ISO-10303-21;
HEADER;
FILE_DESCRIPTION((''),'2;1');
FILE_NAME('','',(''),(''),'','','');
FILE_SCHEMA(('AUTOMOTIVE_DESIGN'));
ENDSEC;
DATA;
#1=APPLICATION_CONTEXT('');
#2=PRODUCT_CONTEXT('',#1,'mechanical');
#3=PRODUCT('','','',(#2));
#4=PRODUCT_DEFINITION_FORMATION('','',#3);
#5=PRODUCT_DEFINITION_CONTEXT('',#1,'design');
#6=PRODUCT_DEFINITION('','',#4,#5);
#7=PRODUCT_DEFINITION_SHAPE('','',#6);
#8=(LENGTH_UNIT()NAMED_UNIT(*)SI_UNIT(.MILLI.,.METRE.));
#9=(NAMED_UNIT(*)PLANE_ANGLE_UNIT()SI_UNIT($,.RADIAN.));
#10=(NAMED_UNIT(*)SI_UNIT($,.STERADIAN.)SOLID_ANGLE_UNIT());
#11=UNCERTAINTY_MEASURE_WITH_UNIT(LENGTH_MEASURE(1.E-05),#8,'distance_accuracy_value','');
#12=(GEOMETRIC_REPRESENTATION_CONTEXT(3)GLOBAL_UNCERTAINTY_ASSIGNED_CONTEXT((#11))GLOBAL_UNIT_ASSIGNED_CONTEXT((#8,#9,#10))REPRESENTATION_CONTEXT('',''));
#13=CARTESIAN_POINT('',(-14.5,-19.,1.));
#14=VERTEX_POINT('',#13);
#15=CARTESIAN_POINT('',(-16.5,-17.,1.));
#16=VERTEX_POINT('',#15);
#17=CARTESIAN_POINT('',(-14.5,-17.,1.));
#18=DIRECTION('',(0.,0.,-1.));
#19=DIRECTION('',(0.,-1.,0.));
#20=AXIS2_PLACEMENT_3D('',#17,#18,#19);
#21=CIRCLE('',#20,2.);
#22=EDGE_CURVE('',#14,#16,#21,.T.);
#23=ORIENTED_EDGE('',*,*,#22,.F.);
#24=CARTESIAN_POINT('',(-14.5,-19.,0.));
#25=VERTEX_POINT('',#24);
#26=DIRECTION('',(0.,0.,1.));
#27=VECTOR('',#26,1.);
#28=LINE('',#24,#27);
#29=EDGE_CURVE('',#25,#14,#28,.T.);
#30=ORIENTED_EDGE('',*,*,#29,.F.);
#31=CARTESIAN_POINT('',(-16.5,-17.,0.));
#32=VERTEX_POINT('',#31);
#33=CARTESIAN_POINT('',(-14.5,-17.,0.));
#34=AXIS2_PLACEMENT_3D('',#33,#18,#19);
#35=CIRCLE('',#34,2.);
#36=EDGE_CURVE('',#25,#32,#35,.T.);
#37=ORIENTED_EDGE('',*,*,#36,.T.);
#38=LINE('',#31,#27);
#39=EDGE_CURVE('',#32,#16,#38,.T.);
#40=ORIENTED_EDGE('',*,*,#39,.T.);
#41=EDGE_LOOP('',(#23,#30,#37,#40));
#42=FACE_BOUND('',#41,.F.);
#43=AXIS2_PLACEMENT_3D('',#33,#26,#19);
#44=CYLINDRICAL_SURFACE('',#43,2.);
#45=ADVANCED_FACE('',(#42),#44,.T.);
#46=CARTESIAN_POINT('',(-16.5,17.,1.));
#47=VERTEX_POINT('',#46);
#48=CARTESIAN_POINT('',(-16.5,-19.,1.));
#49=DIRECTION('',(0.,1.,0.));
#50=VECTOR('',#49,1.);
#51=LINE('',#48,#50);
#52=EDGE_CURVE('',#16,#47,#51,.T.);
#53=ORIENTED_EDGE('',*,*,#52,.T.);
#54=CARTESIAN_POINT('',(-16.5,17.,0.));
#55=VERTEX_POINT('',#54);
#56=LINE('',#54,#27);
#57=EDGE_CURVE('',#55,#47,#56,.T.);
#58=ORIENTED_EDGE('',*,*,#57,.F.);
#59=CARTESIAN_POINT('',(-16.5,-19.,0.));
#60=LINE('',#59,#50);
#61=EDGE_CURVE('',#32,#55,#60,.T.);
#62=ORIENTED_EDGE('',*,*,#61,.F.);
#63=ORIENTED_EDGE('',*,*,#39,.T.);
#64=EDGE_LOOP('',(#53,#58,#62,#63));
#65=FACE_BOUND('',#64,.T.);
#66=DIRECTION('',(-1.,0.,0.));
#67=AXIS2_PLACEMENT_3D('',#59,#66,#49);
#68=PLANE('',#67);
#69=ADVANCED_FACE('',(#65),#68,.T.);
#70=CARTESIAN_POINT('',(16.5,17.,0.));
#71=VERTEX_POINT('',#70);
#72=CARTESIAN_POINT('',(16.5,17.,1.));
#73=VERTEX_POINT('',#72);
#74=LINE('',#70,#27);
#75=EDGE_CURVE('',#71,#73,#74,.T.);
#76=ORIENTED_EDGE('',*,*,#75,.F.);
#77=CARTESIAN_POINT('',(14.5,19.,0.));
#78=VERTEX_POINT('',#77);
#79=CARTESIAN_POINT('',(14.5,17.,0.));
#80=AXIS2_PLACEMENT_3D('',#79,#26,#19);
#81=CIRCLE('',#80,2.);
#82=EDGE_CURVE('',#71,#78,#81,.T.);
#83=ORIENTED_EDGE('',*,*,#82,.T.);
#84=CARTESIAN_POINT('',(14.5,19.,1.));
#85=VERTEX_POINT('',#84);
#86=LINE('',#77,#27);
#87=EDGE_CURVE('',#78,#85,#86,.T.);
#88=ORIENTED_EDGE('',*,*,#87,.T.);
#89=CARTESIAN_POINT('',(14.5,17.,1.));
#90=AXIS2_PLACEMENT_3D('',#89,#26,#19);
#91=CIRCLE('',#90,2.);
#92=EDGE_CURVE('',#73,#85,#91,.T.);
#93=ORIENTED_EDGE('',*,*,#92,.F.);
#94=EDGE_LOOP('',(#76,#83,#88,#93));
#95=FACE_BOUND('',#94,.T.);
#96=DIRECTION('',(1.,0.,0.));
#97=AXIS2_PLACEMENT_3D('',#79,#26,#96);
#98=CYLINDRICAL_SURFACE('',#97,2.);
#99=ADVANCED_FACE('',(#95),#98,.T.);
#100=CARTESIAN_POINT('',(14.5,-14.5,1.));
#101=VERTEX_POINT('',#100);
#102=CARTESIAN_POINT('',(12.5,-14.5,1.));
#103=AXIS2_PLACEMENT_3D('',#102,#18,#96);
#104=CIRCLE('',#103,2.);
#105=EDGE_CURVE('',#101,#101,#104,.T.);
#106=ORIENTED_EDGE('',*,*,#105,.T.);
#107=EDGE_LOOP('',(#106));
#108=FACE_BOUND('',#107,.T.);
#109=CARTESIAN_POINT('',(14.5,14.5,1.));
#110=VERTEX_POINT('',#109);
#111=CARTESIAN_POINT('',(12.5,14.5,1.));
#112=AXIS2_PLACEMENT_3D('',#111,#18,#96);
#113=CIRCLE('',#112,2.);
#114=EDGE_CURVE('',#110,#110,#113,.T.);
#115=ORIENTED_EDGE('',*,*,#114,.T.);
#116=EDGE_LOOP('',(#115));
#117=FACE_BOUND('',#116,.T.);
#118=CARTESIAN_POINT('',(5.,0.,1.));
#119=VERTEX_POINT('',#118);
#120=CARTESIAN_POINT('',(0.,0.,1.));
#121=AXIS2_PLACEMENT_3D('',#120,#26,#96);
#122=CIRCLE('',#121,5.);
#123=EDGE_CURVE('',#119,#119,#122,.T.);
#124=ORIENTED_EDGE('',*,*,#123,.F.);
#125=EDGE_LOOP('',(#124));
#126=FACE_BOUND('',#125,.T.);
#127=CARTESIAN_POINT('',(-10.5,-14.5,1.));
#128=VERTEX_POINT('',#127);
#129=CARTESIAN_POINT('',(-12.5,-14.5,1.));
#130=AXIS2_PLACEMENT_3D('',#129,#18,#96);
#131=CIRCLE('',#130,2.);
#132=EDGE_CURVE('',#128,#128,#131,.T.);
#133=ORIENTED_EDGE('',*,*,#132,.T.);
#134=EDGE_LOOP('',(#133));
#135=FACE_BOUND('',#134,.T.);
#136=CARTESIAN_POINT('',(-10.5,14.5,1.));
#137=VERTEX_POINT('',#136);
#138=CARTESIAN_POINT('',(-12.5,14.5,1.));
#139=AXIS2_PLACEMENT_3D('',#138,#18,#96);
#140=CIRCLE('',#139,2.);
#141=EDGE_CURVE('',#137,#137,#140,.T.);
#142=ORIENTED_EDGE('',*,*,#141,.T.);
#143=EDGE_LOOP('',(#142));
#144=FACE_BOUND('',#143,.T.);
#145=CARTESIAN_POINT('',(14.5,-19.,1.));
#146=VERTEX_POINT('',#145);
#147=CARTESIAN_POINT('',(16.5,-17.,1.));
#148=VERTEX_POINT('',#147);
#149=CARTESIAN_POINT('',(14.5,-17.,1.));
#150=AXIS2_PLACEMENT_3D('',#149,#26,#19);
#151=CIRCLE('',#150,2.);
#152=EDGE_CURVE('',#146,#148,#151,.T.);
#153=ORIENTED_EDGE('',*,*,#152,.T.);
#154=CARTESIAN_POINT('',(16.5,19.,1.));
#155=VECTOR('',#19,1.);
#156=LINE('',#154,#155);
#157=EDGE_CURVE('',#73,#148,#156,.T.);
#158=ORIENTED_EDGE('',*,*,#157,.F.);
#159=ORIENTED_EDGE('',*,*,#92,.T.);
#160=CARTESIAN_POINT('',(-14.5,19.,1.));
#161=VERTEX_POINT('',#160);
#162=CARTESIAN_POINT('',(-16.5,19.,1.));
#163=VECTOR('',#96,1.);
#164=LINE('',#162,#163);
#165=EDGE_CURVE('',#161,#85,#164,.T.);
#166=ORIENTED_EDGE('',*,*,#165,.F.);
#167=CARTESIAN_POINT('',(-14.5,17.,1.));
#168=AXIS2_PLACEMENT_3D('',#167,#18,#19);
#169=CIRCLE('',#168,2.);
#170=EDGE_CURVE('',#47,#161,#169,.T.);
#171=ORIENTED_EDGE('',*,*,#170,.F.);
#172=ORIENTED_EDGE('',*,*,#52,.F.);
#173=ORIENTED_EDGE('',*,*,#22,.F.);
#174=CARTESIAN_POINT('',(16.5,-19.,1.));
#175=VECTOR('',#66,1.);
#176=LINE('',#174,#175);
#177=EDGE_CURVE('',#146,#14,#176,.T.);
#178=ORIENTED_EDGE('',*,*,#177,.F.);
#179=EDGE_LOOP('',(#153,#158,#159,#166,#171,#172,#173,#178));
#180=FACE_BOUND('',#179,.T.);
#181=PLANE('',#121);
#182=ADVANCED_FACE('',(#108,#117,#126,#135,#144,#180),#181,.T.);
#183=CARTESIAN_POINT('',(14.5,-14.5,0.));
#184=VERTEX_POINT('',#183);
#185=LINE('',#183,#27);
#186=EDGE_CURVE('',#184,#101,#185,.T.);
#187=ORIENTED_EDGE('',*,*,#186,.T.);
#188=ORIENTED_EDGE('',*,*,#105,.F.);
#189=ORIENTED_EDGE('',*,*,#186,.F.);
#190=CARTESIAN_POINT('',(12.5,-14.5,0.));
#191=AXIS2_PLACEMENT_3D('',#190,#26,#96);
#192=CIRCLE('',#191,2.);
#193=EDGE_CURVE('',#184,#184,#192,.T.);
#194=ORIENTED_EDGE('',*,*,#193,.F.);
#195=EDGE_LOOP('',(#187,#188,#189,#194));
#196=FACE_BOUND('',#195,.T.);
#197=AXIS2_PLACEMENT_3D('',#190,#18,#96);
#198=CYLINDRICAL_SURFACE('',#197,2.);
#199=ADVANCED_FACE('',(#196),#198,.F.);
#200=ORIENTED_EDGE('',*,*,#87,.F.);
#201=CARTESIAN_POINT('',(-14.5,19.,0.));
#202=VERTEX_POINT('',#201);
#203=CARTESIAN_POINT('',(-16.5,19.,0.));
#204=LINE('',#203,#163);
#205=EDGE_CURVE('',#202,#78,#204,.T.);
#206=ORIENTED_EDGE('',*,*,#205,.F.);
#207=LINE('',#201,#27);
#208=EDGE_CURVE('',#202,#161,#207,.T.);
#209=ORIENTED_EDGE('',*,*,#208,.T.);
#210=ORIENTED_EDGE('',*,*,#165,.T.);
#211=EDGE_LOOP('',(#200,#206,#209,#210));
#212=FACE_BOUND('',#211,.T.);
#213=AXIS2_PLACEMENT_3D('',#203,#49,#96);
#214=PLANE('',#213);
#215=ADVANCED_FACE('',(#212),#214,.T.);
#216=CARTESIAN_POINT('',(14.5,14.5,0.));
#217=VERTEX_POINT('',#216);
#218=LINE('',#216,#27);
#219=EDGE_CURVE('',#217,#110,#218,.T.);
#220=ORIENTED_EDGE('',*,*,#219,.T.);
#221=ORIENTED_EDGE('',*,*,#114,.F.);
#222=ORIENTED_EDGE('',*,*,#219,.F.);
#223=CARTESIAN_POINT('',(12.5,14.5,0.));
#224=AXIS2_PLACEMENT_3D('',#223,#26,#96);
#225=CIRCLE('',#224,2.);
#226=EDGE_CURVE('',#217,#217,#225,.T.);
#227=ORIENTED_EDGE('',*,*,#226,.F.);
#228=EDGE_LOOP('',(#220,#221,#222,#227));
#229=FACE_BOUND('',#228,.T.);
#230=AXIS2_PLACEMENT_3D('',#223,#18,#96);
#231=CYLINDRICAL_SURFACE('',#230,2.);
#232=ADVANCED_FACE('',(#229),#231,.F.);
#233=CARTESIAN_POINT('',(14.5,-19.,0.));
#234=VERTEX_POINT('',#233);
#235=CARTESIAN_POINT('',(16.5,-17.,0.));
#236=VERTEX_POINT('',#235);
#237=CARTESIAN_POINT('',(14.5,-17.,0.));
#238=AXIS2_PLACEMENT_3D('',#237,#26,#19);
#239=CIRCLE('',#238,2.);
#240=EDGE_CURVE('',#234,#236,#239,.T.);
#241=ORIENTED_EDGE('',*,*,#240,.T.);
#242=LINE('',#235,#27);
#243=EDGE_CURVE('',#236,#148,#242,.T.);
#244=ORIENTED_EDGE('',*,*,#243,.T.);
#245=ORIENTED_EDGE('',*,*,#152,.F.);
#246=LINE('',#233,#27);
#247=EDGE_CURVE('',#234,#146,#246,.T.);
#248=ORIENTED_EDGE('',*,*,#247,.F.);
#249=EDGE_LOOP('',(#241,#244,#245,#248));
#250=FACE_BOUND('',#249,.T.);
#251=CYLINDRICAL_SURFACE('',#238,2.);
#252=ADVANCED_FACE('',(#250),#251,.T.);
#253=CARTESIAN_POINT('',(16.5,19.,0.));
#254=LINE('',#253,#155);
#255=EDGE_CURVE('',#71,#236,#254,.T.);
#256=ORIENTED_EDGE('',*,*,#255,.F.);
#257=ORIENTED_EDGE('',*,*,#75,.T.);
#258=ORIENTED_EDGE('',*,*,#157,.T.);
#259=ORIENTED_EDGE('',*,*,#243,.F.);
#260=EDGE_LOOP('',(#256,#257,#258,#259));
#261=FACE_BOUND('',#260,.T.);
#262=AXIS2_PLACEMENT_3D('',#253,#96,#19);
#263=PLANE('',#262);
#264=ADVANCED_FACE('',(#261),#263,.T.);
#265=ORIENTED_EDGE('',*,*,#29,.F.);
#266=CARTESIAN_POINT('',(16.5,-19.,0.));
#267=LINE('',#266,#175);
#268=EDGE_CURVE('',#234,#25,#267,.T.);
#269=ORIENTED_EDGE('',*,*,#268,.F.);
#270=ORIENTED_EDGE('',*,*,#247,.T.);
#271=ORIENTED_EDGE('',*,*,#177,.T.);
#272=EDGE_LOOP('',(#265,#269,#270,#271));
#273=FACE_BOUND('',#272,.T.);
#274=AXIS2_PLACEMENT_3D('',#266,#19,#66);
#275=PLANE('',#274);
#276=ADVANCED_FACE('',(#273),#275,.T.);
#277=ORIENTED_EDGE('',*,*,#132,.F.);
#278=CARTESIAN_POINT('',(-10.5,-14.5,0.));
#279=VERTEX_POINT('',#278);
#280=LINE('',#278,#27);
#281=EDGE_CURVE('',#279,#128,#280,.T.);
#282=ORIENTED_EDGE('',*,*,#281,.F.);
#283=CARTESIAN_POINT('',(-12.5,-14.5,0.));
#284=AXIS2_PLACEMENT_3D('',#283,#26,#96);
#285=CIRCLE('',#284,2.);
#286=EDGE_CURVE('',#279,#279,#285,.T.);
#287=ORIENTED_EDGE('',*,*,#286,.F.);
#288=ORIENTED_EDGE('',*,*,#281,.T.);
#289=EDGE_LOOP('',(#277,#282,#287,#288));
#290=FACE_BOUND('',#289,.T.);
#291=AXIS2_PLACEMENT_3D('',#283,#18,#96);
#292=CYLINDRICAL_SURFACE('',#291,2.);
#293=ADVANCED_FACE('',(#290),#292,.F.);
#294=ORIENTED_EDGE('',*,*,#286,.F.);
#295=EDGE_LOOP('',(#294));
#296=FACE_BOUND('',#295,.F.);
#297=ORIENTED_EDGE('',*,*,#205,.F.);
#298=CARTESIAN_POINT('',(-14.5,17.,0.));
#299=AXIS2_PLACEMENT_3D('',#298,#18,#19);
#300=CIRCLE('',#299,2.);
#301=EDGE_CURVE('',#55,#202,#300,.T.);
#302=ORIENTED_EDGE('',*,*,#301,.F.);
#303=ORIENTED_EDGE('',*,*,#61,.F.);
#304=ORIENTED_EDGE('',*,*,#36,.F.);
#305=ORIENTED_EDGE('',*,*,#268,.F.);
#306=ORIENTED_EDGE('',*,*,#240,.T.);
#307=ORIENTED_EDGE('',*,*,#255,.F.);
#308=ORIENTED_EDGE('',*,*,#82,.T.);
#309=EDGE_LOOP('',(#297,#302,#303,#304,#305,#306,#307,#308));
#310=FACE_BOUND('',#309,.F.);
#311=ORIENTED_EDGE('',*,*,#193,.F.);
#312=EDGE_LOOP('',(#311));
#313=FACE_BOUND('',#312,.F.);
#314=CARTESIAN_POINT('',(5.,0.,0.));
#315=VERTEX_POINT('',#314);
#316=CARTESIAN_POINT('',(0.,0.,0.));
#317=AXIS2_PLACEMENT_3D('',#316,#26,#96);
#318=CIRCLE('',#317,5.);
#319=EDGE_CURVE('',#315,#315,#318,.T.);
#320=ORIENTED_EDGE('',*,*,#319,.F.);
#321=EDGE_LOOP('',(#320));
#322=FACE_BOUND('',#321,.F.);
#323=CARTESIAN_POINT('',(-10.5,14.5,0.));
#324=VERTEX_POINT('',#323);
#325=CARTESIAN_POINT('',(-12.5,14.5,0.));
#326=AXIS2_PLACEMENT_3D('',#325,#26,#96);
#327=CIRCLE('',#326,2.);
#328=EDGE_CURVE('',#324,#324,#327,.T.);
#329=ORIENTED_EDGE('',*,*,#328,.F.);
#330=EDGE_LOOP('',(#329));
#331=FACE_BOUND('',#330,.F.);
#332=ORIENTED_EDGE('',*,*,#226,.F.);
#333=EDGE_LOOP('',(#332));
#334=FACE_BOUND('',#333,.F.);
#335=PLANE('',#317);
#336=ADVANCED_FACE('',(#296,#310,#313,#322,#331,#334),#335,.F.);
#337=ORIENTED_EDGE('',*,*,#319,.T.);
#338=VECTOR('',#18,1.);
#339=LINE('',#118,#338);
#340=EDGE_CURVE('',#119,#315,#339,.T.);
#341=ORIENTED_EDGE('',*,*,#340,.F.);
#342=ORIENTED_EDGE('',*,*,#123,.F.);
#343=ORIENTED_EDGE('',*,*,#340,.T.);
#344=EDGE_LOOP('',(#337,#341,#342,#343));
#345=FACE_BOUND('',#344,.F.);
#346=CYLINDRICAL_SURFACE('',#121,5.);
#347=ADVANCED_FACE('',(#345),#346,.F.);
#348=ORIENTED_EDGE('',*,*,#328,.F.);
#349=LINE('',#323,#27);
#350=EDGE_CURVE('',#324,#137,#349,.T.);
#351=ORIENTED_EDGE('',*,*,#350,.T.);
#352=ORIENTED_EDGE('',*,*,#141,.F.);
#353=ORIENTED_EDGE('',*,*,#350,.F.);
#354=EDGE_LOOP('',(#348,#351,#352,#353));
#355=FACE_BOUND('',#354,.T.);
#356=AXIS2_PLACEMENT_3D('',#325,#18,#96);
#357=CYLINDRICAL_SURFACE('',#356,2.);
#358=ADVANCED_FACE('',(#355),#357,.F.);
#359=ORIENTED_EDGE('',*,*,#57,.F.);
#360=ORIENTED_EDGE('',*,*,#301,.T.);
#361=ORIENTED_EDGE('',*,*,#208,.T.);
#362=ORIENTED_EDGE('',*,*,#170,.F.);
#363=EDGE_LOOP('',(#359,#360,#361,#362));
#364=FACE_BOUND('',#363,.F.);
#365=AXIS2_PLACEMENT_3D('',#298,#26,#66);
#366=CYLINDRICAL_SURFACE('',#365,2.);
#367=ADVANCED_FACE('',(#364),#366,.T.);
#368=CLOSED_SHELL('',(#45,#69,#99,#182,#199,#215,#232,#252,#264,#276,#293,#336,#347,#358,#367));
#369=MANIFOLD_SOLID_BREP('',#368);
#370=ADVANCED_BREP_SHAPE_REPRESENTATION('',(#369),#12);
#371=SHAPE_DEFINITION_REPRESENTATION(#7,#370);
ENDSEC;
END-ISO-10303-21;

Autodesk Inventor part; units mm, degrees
ref_plane "YZ Plane" through (0, 0, 0) normal (1, 0, 0) x (0, 1, 0)
ref_plane "XZ Plane" through (0, 0, 0) normal (0, 1, 0) x (-1, 0, 0)
ref_plane "XY Plane" through (0, 0, 0) normal (0, 0, 1) x (1, 0, 0)
sketch "스케치1" plane through (0, 0, 0) normal (0, 0, 1) x (1, 0, 0)
  line L0 (16.5, -19) -> (-16.5, -19)
  line L1 (-16.5, -19) -> (-16.5, 19)
  line L2 (-16.5, 19) -> (16.5, 19)
  line L3 (16.5, 19) -> (16.5, -19)
  line L4 (16.5, -19) -> (-16.5, 19) construction
  line L5 (-16.5, -19) -> (16.5, 19) construction
  line L6 (12.5, -14.5) -> (-12.5, -14.5)
  line L7 (-12.5, -14.5) -> (-12.5, 14.5)
  line L8 (-12.5, 14.5) -> (12.5, 14.5)
  line L9 (12.5, 14.5) -> (12.5, -14.5)
  line L10 (12.5, -14.5) -> (-12.5, 14.5) construction
  line L11 (-12.5, -14.5) -> (12.5, 14.5) construction
  circle A0 centre (-12.5, 14.5) radius 2
  circle A1 centre (12.5, 14.5) radius 2
  circle A2 centre (12.5, -14.5) radius 2
  circle A3 centre (-12.5, -14.5) radius 2
  point P0 (0, 0)
  dimension "d14" = 33
  dimension "d15" = 38
  dimension "d16" = 25
  dimension "d17" = 29
  dimension "d18" = 4
  dimension "d19" = 4
  dimension "d20" = 4
  dimension "d21" = 4
extrude "돌출1" add sketch "스케치1" along normal blind 1 contours L0 L1 L2 L3 | A3 L7 A0 L8 A1 L9 A2 L6
fillet "모깎기1" radius 2 4 edges at (-16.5, 19, 0.5) (16.5, 19, 0.5) (16.5, -19, 0.5) (-16.5, -19, 0.5)
sketch "스케치2" plane through (0, 0, 1) normal (0, 0, 1) x (1, 0, 0)
  circle A0 centre (0, 0) radius 5
  dimension "d11" = 10
extrude "돌출2" cut sketch "스케치2" against normal through all
properties part number "castor_top" material "알루미늄 6061"
